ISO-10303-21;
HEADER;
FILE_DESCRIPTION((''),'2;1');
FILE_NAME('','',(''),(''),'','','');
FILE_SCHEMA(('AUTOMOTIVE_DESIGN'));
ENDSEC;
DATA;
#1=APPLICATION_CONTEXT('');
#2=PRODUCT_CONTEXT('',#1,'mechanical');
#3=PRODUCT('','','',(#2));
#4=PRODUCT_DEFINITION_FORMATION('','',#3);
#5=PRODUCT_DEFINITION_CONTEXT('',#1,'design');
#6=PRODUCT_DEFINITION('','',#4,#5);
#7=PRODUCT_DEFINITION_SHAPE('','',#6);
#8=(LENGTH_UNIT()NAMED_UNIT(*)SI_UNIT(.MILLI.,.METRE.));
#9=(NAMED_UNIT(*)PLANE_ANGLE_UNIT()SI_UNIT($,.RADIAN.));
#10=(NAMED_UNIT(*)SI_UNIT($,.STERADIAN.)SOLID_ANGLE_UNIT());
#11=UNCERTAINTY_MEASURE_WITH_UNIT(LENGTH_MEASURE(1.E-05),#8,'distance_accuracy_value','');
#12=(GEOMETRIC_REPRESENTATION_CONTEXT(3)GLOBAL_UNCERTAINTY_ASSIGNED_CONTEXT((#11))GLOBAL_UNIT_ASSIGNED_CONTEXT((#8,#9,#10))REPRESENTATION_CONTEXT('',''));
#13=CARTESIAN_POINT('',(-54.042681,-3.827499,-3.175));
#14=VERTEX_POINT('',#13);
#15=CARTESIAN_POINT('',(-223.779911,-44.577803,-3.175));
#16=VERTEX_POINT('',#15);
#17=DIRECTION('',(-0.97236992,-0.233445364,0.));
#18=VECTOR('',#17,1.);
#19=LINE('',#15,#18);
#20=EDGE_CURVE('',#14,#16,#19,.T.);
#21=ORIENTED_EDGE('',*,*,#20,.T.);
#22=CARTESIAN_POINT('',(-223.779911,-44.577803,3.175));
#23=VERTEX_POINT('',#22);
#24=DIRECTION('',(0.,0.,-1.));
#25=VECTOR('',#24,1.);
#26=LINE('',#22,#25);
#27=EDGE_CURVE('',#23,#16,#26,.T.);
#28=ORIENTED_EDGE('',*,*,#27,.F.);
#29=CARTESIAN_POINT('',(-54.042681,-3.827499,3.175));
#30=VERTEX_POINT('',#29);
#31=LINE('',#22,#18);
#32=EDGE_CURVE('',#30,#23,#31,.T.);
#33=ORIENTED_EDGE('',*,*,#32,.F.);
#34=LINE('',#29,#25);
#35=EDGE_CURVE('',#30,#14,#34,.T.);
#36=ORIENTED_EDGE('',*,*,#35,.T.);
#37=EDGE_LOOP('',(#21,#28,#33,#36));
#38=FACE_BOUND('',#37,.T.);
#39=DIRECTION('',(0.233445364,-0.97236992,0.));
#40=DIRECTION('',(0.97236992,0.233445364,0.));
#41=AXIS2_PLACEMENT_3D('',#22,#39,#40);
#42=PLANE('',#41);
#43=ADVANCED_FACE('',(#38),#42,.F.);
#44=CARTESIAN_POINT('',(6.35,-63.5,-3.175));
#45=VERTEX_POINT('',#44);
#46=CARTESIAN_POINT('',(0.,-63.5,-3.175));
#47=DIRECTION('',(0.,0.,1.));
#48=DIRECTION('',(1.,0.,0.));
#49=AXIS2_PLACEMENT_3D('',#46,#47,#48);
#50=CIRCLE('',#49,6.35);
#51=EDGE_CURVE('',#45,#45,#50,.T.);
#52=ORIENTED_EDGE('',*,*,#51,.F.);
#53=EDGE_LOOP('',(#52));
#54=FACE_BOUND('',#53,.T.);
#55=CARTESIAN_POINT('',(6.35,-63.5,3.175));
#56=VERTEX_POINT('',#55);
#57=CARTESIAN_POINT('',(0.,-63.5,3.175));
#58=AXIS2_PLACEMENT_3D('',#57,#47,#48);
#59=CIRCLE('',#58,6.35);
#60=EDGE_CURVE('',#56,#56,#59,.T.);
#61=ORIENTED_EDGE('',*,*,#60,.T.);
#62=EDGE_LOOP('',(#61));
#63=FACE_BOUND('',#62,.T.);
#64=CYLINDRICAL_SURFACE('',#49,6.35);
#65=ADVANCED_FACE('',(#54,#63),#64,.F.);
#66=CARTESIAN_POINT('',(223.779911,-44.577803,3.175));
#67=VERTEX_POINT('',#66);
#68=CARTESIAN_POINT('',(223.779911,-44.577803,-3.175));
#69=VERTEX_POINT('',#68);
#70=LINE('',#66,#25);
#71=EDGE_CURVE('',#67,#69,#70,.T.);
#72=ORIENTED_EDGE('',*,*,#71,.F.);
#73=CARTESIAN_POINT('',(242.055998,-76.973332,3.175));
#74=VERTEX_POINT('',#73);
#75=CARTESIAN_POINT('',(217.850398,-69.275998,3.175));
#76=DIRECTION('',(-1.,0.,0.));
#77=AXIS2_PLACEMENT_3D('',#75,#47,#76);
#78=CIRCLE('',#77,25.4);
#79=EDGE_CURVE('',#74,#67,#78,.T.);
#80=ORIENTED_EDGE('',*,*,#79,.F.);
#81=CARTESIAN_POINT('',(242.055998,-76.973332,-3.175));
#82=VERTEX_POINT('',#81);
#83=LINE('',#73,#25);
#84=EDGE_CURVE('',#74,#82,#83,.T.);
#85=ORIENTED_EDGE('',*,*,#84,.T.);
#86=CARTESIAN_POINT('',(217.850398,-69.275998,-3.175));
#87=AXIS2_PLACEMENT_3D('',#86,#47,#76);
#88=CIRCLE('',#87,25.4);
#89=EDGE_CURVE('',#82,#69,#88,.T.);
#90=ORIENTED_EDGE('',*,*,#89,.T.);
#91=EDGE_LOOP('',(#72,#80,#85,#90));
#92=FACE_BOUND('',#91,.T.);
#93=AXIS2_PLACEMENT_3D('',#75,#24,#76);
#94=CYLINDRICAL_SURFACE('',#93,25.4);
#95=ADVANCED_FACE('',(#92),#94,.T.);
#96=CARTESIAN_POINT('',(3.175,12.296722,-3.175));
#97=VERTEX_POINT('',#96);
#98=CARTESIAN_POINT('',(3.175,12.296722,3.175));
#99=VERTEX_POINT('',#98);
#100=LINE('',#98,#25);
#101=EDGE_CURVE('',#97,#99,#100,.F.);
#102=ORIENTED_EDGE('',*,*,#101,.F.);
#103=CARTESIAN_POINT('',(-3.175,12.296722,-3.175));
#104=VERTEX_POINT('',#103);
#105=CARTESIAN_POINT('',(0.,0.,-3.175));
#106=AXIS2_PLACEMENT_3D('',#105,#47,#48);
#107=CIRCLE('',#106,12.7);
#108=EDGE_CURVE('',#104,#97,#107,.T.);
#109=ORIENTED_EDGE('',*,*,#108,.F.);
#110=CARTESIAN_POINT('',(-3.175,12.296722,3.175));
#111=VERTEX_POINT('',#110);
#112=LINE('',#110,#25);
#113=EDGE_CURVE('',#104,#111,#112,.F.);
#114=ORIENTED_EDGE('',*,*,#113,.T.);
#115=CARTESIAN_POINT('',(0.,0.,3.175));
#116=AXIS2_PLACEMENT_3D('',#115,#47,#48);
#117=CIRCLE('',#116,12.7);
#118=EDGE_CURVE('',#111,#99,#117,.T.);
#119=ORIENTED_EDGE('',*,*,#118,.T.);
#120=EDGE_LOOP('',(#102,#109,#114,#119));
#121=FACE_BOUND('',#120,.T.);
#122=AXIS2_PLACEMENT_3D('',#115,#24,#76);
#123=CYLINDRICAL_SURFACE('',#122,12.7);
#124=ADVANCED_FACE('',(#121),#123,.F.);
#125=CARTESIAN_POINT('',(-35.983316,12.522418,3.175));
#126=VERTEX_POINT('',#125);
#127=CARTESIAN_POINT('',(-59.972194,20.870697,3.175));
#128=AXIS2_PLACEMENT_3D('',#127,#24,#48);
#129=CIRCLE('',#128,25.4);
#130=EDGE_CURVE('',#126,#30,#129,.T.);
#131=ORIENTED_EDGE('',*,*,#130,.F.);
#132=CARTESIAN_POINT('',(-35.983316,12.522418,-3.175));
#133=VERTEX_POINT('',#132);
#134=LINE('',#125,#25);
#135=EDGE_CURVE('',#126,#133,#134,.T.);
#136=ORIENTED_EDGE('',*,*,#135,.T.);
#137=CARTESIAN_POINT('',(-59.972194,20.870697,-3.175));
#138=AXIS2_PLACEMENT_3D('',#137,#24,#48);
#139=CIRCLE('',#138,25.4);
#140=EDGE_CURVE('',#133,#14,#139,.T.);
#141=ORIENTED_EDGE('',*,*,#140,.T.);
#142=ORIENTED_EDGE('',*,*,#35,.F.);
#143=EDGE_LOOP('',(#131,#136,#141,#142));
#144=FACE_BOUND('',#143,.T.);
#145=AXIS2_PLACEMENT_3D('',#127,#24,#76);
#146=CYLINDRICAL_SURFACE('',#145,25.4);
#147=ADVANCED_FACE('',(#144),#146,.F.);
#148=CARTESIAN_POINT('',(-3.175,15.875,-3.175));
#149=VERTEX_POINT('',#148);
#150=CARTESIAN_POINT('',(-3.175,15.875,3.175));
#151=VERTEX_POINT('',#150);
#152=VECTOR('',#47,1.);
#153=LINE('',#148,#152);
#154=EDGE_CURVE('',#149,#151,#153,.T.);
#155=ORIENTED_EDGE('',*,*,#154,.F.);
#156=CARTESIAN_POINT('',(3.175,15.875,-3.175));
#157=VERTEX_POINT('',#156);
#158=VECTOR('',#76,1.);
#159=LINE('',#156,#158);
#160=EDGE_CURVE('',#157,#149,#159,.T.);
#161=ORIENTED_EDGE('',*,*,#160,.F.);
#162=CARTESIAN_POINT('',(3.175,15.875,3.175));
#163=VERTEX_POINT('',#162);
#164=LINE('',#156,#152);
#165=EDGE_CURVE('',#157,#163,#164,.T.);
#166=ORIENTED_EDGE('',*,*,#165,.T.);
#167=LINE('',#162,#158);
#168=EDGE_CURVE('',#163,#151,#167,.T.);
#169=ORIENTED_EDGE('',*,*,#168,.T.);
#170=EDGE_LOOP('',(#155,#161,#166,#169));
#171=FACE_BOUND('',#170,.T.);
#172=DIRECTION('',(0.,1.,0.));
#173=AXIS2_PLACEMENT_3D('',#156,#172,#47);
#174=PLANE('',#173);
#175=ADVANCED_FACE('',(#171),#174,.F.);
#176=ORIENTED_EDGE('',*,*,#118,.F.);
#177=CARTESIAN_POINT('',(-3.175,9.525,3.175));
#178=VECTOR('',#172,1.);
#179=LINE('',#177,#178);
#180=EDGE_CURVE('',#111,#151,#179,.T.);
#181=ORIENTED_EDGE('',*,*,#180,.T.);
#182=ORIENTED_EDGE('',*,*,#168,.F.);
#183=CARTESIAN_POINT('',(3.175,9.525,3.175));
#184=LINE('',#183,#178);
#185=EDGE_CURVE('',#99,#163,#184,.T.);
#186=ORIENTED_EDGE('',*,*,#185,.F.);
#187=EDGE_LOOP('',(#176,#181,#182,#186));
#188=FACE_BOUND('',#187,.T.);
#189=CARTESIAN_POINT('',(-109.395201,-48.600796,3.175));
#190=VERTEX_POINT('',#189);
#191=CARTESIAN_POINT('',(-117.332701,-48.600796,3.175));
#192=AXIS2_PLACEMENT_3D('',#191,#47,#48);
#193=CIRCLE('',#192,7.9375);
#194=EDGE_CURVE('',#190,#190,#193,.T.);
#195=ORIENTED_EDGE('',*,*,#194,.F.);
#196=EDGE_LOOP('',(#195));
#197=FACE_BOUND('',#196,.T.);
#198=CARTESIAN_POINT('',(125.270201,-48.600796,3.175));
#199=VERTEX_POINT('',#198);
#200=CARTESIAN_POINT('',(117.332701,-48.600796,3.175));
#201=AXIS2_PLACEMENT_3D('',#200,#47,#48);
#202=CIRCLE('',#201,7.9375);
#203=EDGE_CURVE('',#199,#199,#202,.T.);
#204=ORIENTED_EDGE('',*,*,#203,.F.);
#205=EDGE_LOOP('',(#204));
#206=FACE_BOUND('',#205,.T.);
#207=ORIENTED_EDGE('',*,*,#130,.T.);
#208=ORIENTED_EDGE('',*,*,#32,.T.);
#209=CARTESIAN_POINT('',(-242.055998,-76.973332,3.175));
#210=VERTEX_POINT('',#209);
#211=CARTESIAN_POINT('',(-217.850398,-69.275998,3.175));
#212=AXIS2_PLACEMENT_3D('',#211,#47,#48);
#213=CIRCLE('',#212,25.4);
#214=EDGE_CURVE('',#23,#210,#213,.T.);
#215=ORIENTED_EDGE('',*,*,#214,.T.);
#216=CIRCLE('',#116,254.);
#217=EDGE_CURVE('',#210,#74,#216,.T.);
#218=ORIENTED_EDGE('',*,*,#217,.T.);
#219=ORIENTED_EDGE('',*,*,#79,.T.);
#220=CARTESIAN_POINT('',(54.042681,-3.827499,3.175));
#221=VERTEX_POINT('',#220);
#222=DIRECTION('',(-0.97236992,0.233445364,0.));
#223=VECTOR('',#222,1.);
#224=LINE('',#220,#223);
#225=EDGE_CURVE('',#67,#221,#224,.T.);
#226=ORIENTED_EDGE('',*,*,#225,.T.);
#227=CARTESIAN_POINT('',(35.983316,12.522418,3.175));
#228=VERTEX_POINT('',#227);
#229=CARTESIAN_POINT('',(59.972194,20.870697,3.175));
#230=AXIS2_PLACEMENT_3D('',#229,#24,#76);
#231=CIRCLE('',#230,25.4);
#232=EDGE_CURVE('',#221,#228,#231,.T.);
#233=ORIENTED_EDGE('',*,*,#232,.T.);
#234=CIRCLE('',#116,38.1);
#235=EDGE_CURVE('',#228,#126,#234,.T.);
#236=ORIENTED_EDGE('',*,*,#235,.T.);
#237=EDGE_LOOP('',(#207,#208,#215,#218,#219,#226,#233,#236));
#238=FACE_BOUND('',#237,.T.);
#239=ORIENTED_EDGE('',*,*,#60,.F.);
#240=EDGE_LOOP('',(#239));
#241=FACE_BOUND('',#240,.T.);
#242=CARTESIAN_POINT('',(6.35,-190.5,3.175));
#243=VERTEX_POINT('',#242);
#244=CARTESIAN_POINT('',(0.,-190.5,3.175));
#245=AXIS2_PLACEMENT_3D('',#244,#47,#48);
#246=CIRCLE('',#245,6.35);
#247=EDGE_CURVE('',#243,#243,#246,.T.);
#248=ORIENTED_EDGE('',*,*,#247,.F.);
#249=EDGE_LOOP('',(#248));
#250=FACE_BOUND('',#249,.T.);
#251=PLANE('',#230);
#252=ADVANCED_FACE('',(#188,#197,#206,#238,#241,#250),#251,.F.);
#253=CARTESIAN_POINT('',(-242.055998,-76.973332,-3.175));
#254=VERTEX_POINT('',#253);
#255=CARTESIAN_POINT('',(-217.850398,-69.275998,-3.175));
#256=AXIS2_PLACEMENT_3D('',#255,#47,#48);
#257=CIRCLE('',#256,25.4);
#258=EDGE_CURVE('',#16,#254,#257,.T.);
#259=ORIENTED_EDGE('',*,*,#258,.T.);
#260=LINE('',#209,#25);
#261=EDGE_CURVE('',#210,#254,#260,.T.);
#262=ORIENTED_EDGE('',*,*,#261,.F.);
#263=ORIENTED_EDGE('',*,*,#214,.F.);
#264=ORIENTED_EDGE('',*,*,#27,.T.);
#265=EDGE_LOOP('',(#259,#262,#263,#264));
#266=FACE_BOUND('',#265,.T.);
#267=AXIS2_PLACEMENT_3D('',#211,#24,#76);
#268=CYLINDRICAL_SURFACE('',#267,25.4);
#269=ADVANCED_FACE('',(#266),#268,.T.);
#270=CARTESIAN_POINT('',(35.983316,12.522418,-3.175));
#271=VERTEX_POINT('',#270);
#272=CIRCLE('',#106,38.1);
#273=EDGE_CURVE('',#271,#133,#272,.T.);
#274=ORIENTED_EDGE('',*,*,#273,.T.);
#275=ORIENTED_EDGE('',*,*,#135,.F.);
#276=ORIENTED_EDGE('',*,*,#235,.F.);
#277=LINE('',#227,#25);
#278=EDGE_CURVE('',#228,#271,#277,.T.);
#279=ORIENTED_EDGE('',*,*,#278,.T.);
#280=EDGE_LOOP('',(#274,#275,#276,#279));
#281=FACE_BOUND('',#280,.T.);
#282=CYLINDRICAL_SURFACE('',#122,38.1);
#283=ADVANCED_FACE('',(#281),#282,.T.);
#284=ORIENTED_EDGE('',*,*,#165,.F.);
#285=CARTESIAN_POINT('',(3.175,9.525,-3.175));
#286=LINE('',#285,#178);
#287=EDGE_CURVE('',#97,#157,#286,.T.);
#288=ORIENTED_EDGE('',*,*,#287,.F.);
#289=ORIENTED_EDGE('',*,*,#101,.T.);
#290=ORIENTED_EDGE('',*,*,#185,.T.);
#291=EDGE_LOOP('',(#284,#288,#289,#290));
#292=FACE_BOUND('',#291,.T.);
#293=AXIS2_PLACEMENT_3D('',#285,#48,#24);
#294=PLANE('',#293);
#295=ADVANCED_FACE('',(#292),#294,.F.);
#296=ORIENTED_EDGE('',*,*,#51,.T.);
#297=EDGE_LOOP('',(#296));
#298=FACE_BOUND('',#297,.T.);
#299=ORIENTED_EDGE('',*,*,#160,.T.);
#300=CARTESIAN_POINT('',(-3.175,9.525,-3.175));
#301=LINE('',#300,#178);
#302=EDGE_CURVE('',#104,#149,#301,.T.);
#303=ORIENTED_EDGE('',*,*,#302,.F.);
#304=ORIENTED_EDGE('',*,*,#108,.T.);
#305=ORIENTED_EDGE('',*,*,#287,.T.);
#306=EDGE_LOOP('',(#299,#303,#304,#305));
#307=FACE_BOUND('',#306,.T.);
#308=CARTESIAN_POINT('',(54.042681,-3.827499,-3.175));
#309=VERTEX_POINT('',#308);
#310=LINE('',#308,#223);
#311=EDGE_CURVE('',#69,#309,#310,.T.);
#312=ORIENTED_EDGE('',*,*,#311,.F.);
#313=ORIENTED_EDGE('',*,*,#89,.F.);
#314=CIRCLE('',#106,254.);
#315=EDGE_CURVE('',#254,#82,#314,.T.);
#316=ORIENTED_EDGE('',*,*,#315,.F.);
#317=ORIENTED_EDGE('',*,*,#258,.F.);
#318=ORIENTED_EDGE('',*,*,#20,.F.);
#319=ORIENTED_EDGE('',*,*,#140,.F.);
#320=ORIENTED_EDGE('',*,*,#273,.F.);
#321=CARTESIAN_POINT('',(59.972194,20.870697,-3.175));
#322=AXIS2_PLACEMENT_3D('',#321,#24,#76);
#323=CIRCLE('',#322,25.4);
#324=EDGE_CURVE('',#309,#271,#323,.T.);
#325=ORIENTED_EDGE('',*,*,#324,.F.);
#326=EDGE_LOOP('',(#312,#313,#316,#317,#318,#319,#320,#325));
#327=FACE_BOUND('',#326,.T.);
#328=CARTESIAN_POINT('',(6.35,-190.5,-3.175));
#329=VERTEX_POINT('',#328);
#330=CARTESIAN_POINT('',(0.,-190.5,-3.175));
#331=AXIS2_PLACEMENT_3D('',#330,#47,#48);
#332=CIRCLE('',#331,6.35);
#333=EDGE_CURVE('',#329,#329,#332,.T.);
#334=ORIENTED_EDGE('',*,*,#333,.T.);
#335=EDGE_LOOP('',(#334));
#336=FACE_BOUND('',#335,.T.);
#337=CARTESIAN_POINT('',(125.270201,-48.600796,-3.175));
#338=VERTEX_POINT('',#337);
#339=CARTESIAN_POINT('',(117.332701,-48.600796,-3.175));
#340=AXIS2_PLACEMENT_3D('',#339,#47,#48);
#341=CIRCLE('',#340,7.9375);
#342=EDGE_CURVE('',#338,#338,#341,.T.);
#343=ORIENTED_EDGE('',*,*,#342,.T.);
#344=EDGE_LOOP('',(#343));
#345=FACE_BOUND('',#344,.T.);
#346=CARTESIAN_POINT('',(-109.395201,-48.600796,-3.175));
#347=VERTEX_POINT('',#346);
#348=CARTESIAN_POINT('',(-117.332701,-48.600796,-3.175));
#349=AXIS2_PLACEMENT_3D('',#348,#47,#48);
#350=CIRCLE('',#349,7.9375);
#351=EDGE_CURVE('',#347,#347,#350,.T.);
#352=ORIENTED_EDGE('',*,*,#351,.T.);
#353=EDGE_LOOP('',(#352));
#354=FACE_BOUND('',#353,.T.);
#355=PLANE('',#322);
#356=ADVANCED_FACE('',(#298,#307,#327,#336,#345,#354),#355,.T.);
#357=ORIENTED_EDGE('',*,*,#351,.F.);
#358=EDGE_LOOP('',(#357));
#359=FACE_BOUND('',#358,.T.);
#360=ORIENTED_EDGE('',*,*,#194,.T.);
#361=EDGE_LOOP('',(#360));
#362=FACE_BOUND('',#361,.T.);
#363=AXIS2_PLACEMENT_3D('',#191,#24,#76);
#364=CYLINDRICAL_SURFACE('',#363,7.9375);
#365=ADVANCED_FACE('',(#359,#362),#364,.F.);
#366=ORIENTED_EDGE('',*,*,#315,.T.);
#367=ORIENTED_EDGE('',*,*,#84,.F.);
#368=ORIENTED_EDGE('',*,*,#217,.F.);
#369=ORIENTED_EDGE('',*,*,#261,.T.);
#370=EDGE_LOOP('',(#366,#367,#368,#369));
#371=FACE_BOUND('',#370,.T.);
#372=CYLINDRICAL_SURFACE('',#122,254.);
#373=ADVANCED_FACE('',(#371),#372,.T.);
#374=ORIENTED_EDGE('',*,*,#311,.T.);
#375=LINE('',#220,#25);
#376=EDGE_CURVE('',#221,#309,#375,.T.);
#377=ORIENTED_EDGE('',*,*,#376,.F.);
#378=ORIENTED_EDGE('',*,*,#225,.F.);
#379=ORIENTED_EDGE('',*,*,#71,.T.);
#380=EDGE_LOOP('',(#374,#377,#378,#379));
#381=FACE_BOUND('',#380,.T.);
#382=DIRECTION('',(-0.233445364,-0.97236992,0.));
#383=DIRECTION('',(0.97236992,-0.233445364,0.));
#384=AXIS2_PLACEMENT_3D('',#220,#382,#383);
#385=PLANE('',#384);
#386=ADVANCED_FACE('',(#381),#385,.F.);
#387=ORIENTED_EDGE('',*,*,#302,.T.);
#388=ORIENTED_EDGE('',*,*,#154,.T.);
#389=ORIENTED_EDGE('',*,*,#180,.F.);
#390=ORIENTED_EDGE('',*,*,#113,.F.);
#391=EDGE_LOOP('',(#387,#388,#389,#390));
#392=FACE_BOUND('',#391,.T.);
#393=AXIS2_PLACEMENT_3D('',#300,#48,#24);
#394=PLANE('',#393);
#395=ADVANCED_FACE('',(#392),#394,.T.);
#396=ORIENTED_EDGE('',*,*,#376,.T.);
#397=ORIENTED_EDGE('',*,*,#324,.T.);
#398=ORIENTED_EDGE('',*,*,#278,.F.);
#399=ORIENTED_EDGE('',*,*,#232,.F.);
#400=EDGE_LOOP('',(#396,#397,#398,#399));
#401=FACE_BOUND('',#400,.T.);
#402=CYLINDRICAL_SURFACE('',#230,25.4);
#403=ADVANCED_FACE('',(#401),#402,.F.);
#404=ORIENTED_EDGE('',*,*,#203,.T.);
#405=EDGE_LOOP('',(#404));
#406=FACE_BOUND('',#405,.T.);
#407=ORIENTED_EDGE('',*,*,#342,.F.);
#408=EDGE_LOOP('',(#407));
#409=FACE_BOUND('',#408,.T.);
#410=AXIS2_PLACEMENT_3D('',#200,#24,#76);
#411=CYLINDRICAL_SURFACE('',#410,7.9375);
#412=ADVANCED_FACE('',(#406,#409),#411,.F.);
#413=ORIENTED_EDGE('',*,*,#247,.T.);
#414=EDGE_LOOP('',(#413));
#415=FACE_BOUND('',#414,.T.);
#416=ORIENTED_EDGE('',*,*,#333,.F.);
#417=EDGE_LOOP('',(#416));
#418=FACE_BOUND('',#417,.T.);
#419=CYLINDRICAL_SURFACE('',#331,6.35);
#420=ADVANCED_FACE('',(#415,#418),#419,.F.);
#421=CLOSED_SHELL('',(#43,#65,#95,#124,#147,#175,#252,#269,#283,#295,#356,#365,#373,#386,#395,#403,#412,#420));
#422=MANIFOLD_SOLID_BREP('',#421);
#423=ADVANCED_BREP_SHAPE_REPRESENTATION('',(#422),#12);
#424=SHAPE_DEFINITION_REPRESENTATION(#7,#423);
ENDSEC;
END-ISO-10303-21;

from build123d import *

# Parameters (mm, degrees)
SKETCH5_R               = 12.7
SKETCH5_R_2             = 7.9375
BOSS_EXTRUDE2_DEPTH     = 3.175
SKETCH8_W               = 6.35
SKETCH8_H               = 6.35
CUT_EXTRUDE1_DEPTH      = 4.175
CUT_EXTRUDE1_DEPTH_BACK = 4.175
SKETCH9_R               = 6.35
CUT_EXTRUDE2_DEPTH      = 4.175
CUT_EXTRUDE2_DEPTH_BACK = 4.175


with BuildPart() as part:
    # Sketch5 → Boss-Extrude2 (new body, symmetric)
    with BuildSketch(Plane.XY):
        with BuildLine():
            Line((-223.779910529, -44.577802506), (-54.04268144, -3.827499177))
            ThreePointArc((-54.04268144, -3.827499177), (-42.924981025, 2.041131203), (-35.983316209, 12.522418081))
            ThreePointArc((-35.983316209, 12.522418081), (0, 38.1), (35.983316209, 12.522418081))
            ThreePointArc((35.983316209, 12.522418081), (42.924981025, 2.041131203), (54.04268144, -3.827499177))
            Line((54.04268144, -3.827499177), (223.779910529, -44.577802506))
            ThreePointArc((223.779910529, -44.577802506), (239.972758508, -56.795566669), (242.055998097, -76.973331649))
            ThreePointArc((242.055998097, -76.973331649), (0, -254), (-242.055998097, -76.973331649))
            ThreePointArc((-242.055998097, -76.973331649), (-239.972758508, -56.795566669), (-223.779910529, -44.577802506))
        make_face()
        Circle(SKETCH5_R, mode=Mode.SUBTRACT)
        with Locations((-117.332700629, -48.60079591)):
            Circle(SKETCH5_R_2, mode=Mode.SUBTRACT)
        with Locations((117.332700629, -48.60079591)):
            Circle(SKETCH5_R_2, mode=Mode.SUBTRACT)
    extrude(amount=BOSS_EXTRUDE2_DEPTH, both=True)

    # Sketch8 → Cut-Extrude1 (cut, two sides)
    with BuildSketch(Plane.XY) as cut_extrude1_sk:
        with Locations((0, 12.7)):
            Rectangle(SKETCH8_W, SKETCH8_H)
    extrude(amount=CUT_EXTRUDE1_DEPTH, mode=Mode.SUBTRACT)
    extrude(cut_extrude1_sk.sketch, amount=-CUT_EXTRUDE1_DEPTH_BACK, mode=Mode.SUBTRACT)

    # Sketch9 → Cut-Extrude2 (cut, two sides)
    with BuildSketch(Plane.XY) as cut_extrude2_sk:
        with Locations((0, -63.5)):
            Circle(SKETCH9_R)
        with Locations((0, -190.5)):
            Circle(SKETCH9_R)
    extrude(amount=CUT_EXTRUDE2_DEPTH, mode=Mode.SUBTRACT)
    extrude(cut_extrude2_sk.sketch, amount=-CUT_EXTRUDE2_DEPTH_BACK, mode=Mode.SUBTRACT)


solid = part.part
